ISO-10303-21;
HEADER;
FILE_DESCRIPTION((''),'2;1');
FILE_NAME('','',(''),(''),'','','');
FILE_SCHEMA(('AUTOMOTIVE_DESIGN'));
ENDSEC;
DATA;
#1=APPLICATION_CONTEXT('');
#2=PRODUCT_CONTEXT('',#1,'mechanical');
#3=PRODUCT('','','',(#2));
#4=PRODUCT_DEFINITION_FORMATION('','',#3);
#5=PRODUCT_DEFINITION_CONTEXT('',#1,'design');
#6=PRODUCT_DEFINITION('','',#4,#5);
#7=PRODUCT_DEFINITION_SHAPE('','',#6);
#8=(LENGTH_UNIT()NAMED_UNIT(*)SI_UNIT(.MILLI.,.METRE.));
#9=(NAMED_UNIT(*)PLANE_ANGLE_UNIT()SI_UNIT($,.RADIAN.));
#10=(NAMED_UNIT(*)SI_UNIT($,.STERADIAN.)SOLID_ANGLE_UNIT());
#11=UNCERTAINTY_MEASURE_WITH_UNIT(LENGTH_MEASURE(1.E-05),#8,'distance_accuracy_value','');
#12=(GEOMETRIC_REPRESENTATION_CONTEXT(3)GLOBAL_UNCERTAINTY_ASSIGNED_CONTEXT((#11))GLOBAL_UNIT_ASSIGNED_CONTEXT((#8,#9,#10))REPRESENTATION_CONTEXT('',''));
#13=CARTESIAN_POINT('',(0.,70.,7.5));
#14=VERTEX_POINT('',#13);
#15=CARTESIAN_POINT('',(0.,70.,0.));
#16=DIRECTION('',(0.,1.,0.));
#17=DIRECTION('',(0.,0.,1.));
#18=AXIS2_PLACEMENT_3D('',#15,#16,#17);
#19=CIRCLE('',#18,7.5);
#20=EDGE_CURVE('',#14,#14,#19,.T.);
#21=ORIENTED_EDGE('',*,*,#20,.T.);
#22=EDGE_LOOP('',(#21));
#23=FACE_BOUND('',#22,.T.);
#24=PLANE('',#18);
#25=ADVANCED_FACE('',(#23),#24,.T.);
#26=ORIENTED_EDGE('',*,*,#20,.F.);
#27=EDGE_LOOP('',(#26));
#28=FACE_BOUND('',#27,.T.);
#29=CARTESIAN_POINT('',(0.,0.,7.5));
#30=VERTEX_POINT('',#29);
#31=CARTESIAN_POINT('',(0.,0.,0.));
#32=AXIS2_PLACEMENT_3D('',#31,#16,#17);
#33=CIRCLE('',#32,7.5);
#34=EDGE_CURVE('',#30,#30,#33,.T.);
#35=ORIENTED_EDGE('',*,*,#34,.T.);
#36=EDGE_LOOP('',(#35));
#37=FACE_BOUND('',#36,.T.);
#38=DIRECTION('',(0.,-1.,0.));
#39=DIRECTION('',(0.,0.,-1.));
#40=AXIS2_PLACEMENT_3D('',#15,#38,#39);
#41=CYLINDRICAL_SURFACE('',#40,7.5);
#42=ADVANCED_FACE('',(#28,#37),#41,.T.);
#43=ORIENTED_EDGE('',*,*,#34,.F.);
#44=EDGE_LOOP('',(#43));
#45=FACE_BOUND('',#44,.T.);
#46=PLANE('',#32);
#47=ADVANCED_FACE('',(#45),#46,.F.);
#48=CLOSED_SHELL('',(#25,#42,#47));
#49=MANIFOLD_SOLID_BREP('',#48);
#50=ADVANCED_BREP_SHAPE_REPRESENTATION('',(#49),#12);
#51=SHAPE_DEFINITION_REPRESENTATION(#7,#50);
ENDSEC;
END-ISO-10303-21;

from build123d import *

# Parameters (mm, degrees)
SKETCH_1_R      = 7.5
EXTRUDE_1_DEPTH = 70


with BuildPart() as part:
    # 草图1 → 凸台-拉伸1 (new body)
    with BuildSketch(Plane(origin=(0, 0, 0), x_dir=(1, 0, 0), z_dir=(0, 1, 0))):
        Circle(SKETCH_1_R)
    extrude(amount=EXTRUDE_1_DEPTH)


solid = part.part
